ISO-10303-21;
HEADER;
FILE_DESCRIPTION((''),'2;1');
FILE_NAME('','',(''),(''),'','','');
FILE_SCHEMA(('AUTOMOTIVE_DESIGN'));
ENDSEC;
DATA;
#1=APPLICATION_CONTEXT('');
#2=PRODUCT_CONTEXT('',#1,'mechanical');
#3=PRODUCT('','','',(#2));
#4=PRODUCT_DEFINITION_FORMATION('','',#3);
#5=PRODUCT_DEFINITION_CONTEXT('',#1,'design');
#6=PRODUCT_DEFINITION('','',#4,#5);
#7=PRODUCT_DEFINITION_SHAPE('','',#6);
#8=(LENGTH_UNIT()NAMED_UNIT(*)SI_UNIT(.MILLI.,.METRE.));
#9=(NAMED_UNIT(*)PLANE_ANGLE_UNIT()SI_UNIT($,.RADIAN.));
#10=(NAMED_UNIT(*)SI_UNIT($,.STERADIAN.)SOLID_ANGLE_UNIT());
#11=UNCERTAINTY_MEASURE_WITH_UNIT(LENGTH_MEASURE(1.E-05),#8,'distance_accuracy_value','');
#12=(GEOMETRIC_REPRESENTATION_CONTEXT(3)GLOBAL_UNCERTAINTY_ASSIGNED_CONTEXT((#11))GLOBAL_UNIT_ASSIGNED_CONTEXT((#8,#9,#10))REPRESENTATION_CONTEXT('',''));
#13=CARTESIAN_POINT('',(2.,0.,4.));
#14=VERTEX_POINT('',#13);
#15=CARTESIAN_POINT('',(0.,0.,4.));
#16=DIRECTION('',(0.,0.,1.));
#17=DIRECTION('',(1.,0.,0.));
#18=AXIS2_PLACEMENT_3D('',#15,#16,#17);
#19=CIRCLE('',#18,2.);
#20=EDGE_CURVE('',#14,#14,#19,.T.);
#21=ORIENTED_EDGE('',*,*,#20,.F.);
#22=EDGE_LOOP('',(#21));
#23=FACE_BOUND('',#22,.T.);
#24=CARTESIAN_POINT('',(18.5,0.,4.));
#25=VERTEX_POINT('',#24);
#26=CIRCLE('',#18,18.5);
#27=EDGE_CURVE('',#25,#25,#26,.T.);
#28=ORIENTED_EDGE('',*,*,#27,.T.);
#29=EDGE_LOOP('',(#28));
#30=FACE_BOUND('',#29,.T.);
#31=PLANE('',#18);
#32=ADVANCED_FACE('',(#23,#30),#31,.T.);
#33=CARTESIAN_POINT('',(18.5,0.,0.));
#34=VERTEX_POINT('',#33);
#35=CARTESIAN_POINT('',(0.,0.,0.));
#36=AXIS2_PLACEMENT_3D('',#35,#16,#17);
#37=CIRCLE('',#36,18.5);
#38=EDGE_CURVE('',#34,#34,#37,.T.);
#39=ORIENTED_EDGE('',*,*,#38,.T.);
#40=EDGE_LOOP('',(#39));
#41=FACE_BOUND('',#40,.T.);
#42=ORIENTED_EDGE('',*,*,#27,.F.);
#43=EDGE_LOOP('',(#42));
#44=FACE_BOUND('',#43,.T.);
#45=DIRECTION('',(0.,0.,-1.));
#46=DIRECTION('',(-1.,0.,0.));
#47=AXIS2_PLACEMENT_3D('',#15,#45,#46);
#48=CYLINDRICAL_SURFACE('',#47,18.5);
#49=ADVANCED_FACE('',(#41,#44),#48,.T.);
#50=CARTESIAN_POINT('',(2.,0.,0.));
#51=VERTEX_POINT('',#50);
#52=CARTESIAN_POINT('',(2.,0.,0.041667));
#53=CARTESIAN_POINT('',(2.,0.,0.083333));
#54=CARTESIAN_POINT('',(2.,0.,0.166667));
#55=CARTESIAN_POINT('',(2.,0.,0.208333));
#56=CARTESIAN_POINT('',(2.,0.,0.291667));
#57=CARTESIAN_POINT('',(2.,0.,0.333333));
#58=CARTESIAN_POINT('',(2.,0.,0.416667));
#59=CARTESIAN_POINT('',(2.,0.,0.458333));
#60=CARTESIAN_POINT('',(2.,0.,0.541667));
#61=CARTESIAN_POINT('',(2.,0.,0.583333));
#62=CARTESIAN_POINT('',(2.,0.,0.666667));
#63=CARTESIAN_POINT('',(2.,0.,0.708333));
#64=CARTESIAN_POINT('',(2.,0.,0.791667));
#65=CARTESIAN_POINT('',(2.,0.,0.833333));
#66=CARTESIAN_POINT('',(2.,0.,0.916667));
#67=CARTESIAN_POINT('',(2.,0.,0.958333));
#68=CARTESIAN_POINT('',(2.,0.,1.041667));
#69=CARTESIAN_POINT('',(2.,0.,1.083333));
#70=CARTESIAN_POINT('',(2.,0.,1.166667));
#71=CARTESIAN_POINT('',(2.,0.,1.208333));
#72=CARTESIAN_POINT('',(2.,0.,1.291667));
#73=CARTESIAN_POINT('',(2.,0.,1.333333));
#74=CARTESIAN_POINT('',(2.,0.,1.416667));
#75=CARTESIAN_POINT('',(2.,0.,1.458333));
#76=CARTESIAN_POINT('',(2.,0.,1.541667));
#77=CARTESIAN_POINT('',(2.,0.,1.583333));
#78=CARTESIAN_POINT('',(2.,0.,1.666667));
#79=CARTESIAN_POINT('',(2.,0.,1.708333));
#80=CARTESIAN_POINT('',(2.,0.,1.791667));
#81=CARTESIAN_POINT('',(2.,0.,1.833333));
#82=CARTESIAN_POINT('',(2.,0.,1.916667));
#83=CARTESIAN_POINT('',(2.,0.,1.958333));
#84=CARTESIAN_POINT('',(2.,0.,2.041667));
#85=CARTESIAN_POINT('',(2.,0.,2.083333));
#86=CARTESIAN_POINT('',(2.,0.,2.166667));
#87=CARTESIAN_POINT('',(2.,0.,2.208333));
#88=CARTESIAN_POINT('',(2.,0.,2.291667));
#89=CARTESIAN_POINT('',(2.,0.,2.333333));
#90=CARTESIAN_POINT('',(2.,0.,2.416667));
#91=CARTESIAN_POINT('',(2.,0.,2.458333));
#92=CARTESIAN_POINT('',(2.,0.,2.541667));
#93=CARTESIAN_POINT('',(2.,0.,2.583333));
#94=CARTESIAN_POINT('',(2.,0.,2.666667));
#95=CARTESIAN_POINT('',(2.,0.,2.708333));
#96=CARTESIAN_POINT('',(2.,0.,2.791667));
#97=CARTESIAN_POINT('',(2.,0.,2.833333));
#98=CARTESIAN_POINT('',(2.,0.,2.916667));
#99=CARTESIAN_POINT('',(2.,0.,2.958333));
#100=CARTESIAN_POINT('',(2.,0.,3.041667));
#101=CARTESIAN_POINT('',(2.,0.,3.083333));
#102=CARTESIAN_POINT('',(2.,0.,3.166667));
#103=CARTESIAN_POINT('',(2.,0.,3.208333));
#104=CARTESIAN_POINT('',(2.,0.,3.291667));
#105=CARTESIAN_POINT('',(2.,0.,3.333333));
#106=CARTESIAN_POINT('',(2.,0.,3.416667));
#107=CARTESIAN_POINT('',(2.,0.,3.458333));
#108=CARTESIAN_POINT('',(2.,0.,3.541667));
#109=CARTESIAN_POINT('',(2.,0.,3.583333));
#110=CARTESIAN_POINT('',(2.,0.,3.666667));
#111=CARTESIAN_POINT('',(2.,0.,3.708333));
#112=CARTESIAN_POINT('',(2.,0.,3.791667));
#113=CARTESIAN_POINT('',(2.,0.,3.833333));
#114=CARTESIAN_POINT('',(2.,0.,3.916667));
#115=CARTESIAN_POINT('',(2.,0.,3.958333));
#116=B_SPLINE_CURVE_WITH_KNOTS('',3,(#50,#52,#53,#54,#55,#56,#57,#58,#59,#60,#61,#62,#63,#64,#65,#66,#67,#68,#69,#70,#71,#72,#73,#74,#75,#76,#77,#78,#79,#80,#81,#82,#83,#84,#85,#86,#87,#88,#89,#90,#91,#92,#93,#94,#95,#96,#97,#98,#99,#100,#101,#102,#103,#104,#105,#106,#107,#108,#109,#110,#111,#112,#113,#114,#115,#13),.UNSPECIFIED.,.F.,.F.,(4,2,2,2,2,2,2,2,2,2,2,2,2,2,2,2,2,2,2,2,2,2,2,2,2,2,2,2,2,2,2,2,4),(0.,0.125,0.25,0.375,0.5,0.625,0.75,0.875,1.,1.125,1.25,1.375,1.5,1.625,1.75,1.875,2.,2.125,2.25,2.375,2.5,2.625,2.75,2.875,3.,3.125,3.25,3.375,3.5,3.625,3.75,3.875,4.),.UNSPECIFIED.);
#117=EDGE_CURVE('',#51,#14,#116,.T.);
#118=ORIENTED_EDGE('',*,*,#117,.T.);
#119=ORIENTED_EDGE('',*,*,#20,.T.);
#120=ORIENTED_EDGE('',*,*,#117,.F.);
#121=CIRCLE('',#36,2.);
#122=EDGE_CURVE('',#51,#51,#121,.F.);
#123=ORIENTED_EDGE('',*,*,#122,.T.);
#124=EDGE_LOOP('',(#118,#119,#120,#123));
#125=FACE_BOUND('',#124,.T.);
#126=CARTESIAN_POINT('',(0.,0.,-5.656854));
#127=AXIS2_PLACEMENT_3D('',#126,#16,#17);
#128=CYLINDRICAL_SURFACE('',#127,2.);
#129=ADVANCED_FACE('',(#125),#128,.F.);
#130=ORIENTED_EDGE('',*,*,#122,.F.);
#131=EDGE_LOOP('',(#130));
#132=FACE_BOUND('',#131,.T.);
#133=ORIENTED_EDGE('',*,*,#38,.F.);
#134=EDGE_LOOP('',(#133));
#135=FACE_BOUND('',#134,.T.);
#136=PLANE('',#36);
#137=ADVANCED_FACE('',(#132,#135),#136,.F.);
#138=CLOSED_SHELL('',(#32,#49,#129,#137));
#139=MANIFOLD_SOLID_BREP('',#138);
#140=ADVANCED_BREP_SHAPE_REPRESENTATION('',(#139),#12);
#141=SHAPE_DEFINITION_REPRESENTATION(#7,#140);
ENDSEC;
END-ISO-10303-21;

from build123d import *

# Parameters (mm, degrees)
SKETCH2_R           = 18.5
BOSS_EXTRUDE1_DEPTH = 4
SKETCH3_R           = 2
CUT_EXTRUDE1_DEPTH  = 4


with BuildPart() as part:
    # Sketch2 → Boss-Extrude1 (new body)
    with BuildSketch(Plane.XY):
        Circle(SKETCH2_R)
    extrude(amount=BOSS_EXTRUDE1_DEPTH)

    # Sketch3 → Cut-Extrude1 (cut)
    with BuildSketch(Plane.XY.offset(4)):
        Circle(SKETCH3_R)
    extrude(amount=-CUT_EXTRUDE1_DEPTH, mode=Mode.SUBTRACT)


solid = part.part
